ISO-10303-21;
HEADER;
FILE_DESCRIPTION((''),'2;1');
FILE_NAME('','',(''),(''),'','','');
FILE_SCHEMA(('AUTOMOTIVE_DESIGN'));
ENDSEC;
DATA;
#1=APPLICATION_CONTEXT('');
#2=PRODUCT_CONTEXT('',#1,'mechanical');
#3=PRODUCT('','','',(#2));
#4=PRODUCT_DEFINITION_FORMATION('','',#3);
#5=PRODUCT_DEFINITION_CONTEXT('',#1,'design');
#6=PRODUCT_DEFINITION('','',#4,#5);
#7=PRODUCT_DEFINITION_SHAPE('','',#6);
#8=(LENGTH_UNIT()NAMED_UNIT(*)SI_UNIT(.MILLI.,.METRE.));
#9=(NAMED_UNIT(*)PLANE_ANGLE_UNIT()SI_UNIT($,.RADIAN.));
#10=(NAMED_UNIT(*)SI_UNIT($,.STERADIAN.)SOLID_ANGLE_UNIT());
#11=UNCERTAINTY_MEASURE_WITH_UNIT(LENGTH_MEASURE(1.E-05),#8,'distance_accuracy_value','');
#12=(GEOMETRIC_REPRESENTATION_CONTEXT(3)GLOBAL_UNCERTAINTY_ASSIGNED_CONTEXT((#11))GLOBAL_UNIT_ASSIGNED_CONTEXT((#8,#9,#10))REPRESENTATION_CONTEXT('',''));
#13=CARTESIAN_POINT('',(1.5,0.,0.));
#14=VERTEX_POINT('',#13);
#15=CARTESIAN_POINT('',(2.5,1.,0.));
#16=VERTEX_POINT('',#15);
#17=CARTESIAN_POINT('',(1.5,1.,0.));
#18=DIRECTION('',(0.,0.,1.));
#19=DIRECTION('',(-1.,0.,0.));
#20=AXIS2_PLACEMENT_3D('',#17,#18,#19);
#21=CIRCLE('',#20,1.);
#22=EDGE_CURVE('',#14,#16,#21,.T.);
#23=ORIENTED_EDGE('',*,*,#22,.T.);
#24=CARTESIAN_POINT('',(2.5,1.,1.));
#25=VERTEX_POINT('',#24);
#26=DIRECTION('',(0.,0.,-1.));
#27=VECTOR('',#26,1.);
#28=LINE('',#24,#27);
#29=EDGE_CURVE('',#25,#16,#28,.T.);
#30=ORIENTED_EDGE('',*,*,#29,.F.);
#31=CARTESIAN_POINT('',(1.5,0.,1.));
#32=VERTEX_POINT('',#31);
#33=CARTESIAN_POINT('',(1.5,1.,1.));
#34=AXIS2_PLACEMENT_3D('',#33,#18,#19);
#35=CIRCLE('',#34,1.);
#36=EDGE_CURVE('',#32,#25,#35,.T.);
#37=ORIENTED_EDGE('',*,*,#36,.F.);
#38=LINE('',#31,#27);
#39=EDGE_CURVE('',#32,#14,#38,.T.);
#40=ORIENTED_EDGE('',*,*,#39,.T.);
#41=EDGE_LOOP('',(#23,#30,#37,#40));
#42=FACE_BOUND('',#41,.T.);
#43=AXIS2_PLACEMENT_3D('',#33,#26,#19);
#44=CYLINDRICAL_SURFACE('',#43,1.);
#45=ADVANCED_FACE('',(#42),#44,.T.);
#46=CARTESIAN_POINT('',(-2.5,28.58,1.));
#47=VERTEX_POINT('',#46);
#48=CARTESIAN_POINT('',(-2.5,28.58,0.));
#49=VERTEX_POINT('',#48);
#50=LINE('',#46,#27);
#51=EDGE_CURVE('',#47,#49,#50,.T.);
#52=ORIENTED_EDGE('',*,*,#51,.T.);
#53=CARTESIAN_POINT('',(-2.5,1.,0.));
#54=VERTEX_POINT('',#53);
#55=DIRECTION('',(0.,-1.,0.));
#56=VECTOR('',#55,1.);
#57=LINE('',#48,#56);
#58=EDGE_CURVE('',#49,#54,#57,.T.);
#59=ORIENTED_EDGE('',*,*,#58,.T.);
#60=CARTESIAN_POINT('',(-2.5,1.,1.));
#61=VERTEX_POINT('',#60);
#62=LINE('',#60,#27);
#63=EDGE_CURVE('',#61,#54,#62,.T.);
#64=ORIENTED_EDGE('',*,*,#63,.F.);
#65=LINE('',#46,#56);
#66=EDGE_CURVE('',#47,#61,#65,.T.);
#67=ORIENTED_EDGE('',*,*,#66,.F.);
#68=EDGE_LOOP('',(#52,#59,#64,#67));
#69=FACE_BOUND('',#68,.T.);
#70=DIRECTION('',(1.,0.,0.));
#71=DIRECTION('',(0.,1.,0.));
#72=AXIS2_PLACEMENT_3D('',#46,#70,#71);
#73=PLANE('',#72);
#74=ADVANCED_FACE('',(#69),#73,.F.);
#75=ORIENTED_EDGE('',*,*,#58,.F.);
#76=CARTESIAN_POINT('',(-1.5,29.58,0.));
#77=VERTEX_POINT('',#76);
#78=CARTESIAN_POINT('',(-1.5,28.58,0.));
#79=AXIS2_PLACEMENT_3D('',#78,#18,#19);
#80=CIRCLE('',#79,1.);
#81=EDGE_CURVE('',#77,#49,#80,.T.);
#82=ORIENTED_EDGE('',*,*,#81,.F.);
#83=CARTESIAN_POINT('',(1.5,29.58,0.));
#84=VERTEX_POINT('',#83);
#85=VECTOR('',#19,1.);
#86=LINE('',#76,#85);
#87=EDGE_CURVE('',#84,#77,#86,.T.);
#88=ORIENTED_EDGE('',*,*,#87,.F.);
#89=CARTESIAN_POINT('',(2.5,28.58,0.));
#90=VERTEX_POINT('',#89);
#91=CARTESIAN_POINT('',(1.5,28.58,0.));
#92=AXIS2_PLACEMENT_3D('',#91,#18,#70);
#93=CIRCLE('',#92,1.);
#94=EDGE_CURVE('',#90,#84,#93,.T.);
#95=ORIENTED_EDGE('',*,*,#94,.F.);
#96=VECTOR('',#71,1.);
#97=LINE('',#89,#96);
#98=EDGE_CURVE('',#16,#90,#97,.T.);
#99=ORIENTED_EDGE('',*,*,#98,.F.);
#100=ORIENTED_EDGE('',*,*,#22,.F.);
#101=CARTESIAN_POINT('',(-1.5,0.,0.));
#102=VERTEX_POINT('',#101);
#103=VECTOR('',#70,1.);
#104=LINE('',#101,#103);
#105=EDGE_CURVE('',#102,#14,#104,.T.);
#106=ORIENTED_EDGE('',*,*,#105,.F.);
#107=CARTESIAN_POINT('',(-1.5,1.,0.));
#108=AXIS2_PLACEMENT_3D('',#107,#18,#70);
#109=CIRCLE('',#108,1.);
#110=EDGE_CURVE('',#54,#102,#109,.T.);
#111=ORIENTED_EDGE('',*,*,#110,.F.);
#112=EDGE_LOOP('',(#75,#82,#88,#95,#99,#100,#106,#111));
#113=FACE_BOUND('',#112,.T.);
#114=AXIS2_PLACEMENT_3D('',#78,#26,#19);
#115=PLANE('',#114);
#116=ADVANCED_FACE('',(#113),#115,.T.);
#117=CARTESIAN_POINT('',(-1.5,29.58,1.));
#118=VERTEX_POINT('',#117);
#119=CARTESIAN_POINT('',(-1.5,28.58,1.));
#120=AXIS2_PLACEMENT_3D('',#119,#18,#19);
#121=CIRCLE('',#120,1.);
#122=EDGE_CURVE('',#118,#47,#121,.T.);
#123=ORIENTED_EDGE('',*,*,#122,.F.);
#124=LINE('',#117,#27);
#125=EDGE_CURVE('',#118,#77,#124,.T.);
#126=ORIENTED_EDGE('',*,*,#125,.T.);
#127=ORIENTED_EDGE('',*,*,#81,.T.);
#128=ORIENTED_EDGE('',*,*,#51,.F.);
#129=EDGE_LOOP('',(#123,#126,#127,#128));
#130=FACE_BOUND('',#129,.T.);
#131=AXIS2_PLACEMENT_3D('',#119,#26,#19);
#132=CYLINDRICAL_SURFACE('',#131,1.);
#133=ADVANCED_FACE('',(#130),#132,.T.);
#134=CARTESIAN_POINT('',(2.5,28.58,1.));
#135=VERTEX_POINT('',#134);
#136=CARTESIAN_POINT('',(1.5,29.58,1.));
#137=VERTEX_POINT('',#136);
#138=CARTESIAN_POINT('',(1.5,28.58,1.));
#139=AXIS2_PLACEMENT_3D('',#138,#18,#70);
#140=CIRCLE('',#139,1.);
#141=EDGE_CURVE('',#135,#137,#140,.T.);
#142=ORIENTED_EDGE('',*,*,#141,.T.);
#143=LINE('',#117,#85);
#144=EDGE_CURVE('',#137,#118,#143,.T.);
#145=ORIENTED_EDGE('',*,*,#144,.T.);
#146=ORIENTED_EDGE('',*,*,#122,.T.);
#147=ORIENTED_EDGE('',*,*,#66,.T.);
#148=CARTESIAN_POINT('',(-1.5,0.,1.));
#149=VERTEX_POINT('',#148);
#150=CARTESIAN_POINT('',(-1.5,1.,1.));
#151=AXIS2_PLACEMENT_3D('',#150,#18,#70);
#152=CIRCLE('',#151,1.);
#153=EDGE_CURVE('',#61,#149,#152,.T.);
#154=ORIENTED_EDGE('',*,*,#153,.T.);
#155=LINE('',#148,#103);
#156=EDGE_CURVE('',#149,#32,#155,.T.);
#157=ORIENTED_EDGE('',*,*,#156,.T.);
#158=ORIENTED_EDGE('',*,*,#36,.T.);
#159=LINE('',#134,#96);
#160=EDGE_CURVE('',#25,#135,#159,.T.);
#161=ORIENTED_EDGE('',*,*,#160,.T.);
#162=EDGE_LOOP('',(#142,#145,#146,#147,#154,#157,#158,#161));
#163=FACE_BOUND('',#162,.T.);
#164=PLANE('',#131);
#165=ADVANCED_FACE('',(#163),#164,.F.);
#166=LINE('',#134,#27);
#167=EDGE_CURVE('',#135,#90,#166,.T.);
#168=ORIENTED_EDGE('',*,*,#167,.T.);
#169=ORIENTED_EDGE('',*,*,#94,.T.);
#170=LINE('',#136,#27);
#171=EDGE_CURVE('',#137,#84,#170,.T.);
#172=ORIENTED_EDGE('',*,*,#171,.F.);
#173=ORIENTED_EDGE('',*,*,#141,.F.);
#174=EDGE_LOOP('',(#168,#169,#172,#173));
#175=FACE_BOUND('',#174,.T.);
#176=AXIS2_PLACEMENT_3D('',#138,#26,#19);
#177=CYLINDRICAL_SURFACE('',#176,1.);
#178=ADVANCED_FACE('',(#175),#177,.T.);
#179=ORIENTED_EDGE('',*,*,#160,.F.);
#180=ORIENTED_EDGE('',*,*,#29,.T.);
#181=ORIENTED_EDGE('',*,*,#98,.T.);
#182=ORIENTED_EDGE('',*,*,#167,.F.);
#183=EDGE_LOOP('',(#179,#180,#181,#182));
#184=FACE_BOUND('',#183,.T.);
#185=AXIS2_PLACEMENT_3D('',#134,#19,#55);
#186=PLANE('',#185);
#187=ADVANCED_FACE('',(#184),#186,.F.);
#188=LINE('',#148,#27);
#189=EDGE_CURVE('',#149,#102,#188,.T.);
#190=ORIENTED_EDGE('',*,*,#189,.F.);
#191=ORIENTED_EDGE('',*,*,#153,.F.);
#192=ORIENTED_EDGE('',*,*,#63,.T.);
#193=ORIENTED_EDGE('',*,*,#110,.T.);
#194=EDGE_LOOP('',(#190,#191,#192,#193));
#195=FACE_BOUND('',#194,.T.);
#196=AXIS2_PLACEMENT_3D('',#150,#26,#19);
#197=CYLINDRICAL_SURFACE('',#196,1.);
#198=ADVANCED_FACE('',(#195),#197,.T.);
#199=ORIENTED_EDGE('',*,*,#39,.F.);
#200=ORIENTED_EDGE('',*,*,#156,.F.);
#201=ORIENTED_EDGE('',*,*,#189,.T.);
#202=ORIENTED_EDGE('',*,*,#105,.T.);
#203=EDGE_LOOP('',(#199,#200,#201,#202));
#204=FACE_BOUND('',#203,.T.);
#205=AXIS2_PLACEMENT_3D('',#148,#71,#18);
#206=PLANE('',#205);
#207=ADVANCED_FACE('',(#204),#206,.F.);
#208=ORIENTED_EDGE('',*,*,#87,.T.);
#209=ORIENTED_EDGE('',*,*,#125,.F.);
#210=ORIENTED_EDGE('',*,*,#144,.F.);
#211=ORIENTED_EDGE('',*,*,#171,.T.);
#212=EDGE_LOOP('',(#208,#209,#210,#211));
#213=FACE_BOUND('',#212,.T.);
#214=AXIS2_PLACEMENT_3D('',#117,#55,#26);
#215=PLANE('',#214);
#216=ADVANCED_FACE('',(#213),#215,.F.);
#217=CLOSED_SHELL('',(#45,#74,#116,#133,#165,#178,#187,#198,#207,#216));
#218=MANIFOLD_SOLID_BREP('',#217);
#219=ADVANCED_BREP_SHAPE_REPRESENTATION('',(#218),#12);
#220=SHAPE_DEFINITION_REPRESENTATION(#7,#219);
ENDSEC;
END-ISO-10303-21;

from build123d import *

# Parameters (mm, degrees)
BOSS_EXTRUDE1_DEPTH = 1


with BuildPart() as part:
    # Sketch1 → Boss-Extrude1 (new body)
    with BuildSketch(Plane.XY):
        with BuildLine():
            Line((-2.5, 28.58), (-2.5, 1))
            ThreePointArc((-2.5, 1), (-2.207106781, 0.292893219), (-1.5, 0))
            Line((-1.5, 0), (1.5, 0))
            ThreePointArc((1.5, 0), (2.207106781, 0.292893219), (2.5, 1))
            Line((2.5, 1), (2.5, 28.58))
            ThreePointArc((2.5, 28.58), (2.207106781, 29.287106781), (1.5, 29.58))
            Line((1.5, 29.58), (-1.5, 29.58))
            ThreePointArc((-1.5, 29.58), (-2.207106781, 29.287106781), (-2.5, 28.58))
        make_face()
    extrude(amount=BOSS_EXTRUDE1_DEPTH)


solid = part.part
